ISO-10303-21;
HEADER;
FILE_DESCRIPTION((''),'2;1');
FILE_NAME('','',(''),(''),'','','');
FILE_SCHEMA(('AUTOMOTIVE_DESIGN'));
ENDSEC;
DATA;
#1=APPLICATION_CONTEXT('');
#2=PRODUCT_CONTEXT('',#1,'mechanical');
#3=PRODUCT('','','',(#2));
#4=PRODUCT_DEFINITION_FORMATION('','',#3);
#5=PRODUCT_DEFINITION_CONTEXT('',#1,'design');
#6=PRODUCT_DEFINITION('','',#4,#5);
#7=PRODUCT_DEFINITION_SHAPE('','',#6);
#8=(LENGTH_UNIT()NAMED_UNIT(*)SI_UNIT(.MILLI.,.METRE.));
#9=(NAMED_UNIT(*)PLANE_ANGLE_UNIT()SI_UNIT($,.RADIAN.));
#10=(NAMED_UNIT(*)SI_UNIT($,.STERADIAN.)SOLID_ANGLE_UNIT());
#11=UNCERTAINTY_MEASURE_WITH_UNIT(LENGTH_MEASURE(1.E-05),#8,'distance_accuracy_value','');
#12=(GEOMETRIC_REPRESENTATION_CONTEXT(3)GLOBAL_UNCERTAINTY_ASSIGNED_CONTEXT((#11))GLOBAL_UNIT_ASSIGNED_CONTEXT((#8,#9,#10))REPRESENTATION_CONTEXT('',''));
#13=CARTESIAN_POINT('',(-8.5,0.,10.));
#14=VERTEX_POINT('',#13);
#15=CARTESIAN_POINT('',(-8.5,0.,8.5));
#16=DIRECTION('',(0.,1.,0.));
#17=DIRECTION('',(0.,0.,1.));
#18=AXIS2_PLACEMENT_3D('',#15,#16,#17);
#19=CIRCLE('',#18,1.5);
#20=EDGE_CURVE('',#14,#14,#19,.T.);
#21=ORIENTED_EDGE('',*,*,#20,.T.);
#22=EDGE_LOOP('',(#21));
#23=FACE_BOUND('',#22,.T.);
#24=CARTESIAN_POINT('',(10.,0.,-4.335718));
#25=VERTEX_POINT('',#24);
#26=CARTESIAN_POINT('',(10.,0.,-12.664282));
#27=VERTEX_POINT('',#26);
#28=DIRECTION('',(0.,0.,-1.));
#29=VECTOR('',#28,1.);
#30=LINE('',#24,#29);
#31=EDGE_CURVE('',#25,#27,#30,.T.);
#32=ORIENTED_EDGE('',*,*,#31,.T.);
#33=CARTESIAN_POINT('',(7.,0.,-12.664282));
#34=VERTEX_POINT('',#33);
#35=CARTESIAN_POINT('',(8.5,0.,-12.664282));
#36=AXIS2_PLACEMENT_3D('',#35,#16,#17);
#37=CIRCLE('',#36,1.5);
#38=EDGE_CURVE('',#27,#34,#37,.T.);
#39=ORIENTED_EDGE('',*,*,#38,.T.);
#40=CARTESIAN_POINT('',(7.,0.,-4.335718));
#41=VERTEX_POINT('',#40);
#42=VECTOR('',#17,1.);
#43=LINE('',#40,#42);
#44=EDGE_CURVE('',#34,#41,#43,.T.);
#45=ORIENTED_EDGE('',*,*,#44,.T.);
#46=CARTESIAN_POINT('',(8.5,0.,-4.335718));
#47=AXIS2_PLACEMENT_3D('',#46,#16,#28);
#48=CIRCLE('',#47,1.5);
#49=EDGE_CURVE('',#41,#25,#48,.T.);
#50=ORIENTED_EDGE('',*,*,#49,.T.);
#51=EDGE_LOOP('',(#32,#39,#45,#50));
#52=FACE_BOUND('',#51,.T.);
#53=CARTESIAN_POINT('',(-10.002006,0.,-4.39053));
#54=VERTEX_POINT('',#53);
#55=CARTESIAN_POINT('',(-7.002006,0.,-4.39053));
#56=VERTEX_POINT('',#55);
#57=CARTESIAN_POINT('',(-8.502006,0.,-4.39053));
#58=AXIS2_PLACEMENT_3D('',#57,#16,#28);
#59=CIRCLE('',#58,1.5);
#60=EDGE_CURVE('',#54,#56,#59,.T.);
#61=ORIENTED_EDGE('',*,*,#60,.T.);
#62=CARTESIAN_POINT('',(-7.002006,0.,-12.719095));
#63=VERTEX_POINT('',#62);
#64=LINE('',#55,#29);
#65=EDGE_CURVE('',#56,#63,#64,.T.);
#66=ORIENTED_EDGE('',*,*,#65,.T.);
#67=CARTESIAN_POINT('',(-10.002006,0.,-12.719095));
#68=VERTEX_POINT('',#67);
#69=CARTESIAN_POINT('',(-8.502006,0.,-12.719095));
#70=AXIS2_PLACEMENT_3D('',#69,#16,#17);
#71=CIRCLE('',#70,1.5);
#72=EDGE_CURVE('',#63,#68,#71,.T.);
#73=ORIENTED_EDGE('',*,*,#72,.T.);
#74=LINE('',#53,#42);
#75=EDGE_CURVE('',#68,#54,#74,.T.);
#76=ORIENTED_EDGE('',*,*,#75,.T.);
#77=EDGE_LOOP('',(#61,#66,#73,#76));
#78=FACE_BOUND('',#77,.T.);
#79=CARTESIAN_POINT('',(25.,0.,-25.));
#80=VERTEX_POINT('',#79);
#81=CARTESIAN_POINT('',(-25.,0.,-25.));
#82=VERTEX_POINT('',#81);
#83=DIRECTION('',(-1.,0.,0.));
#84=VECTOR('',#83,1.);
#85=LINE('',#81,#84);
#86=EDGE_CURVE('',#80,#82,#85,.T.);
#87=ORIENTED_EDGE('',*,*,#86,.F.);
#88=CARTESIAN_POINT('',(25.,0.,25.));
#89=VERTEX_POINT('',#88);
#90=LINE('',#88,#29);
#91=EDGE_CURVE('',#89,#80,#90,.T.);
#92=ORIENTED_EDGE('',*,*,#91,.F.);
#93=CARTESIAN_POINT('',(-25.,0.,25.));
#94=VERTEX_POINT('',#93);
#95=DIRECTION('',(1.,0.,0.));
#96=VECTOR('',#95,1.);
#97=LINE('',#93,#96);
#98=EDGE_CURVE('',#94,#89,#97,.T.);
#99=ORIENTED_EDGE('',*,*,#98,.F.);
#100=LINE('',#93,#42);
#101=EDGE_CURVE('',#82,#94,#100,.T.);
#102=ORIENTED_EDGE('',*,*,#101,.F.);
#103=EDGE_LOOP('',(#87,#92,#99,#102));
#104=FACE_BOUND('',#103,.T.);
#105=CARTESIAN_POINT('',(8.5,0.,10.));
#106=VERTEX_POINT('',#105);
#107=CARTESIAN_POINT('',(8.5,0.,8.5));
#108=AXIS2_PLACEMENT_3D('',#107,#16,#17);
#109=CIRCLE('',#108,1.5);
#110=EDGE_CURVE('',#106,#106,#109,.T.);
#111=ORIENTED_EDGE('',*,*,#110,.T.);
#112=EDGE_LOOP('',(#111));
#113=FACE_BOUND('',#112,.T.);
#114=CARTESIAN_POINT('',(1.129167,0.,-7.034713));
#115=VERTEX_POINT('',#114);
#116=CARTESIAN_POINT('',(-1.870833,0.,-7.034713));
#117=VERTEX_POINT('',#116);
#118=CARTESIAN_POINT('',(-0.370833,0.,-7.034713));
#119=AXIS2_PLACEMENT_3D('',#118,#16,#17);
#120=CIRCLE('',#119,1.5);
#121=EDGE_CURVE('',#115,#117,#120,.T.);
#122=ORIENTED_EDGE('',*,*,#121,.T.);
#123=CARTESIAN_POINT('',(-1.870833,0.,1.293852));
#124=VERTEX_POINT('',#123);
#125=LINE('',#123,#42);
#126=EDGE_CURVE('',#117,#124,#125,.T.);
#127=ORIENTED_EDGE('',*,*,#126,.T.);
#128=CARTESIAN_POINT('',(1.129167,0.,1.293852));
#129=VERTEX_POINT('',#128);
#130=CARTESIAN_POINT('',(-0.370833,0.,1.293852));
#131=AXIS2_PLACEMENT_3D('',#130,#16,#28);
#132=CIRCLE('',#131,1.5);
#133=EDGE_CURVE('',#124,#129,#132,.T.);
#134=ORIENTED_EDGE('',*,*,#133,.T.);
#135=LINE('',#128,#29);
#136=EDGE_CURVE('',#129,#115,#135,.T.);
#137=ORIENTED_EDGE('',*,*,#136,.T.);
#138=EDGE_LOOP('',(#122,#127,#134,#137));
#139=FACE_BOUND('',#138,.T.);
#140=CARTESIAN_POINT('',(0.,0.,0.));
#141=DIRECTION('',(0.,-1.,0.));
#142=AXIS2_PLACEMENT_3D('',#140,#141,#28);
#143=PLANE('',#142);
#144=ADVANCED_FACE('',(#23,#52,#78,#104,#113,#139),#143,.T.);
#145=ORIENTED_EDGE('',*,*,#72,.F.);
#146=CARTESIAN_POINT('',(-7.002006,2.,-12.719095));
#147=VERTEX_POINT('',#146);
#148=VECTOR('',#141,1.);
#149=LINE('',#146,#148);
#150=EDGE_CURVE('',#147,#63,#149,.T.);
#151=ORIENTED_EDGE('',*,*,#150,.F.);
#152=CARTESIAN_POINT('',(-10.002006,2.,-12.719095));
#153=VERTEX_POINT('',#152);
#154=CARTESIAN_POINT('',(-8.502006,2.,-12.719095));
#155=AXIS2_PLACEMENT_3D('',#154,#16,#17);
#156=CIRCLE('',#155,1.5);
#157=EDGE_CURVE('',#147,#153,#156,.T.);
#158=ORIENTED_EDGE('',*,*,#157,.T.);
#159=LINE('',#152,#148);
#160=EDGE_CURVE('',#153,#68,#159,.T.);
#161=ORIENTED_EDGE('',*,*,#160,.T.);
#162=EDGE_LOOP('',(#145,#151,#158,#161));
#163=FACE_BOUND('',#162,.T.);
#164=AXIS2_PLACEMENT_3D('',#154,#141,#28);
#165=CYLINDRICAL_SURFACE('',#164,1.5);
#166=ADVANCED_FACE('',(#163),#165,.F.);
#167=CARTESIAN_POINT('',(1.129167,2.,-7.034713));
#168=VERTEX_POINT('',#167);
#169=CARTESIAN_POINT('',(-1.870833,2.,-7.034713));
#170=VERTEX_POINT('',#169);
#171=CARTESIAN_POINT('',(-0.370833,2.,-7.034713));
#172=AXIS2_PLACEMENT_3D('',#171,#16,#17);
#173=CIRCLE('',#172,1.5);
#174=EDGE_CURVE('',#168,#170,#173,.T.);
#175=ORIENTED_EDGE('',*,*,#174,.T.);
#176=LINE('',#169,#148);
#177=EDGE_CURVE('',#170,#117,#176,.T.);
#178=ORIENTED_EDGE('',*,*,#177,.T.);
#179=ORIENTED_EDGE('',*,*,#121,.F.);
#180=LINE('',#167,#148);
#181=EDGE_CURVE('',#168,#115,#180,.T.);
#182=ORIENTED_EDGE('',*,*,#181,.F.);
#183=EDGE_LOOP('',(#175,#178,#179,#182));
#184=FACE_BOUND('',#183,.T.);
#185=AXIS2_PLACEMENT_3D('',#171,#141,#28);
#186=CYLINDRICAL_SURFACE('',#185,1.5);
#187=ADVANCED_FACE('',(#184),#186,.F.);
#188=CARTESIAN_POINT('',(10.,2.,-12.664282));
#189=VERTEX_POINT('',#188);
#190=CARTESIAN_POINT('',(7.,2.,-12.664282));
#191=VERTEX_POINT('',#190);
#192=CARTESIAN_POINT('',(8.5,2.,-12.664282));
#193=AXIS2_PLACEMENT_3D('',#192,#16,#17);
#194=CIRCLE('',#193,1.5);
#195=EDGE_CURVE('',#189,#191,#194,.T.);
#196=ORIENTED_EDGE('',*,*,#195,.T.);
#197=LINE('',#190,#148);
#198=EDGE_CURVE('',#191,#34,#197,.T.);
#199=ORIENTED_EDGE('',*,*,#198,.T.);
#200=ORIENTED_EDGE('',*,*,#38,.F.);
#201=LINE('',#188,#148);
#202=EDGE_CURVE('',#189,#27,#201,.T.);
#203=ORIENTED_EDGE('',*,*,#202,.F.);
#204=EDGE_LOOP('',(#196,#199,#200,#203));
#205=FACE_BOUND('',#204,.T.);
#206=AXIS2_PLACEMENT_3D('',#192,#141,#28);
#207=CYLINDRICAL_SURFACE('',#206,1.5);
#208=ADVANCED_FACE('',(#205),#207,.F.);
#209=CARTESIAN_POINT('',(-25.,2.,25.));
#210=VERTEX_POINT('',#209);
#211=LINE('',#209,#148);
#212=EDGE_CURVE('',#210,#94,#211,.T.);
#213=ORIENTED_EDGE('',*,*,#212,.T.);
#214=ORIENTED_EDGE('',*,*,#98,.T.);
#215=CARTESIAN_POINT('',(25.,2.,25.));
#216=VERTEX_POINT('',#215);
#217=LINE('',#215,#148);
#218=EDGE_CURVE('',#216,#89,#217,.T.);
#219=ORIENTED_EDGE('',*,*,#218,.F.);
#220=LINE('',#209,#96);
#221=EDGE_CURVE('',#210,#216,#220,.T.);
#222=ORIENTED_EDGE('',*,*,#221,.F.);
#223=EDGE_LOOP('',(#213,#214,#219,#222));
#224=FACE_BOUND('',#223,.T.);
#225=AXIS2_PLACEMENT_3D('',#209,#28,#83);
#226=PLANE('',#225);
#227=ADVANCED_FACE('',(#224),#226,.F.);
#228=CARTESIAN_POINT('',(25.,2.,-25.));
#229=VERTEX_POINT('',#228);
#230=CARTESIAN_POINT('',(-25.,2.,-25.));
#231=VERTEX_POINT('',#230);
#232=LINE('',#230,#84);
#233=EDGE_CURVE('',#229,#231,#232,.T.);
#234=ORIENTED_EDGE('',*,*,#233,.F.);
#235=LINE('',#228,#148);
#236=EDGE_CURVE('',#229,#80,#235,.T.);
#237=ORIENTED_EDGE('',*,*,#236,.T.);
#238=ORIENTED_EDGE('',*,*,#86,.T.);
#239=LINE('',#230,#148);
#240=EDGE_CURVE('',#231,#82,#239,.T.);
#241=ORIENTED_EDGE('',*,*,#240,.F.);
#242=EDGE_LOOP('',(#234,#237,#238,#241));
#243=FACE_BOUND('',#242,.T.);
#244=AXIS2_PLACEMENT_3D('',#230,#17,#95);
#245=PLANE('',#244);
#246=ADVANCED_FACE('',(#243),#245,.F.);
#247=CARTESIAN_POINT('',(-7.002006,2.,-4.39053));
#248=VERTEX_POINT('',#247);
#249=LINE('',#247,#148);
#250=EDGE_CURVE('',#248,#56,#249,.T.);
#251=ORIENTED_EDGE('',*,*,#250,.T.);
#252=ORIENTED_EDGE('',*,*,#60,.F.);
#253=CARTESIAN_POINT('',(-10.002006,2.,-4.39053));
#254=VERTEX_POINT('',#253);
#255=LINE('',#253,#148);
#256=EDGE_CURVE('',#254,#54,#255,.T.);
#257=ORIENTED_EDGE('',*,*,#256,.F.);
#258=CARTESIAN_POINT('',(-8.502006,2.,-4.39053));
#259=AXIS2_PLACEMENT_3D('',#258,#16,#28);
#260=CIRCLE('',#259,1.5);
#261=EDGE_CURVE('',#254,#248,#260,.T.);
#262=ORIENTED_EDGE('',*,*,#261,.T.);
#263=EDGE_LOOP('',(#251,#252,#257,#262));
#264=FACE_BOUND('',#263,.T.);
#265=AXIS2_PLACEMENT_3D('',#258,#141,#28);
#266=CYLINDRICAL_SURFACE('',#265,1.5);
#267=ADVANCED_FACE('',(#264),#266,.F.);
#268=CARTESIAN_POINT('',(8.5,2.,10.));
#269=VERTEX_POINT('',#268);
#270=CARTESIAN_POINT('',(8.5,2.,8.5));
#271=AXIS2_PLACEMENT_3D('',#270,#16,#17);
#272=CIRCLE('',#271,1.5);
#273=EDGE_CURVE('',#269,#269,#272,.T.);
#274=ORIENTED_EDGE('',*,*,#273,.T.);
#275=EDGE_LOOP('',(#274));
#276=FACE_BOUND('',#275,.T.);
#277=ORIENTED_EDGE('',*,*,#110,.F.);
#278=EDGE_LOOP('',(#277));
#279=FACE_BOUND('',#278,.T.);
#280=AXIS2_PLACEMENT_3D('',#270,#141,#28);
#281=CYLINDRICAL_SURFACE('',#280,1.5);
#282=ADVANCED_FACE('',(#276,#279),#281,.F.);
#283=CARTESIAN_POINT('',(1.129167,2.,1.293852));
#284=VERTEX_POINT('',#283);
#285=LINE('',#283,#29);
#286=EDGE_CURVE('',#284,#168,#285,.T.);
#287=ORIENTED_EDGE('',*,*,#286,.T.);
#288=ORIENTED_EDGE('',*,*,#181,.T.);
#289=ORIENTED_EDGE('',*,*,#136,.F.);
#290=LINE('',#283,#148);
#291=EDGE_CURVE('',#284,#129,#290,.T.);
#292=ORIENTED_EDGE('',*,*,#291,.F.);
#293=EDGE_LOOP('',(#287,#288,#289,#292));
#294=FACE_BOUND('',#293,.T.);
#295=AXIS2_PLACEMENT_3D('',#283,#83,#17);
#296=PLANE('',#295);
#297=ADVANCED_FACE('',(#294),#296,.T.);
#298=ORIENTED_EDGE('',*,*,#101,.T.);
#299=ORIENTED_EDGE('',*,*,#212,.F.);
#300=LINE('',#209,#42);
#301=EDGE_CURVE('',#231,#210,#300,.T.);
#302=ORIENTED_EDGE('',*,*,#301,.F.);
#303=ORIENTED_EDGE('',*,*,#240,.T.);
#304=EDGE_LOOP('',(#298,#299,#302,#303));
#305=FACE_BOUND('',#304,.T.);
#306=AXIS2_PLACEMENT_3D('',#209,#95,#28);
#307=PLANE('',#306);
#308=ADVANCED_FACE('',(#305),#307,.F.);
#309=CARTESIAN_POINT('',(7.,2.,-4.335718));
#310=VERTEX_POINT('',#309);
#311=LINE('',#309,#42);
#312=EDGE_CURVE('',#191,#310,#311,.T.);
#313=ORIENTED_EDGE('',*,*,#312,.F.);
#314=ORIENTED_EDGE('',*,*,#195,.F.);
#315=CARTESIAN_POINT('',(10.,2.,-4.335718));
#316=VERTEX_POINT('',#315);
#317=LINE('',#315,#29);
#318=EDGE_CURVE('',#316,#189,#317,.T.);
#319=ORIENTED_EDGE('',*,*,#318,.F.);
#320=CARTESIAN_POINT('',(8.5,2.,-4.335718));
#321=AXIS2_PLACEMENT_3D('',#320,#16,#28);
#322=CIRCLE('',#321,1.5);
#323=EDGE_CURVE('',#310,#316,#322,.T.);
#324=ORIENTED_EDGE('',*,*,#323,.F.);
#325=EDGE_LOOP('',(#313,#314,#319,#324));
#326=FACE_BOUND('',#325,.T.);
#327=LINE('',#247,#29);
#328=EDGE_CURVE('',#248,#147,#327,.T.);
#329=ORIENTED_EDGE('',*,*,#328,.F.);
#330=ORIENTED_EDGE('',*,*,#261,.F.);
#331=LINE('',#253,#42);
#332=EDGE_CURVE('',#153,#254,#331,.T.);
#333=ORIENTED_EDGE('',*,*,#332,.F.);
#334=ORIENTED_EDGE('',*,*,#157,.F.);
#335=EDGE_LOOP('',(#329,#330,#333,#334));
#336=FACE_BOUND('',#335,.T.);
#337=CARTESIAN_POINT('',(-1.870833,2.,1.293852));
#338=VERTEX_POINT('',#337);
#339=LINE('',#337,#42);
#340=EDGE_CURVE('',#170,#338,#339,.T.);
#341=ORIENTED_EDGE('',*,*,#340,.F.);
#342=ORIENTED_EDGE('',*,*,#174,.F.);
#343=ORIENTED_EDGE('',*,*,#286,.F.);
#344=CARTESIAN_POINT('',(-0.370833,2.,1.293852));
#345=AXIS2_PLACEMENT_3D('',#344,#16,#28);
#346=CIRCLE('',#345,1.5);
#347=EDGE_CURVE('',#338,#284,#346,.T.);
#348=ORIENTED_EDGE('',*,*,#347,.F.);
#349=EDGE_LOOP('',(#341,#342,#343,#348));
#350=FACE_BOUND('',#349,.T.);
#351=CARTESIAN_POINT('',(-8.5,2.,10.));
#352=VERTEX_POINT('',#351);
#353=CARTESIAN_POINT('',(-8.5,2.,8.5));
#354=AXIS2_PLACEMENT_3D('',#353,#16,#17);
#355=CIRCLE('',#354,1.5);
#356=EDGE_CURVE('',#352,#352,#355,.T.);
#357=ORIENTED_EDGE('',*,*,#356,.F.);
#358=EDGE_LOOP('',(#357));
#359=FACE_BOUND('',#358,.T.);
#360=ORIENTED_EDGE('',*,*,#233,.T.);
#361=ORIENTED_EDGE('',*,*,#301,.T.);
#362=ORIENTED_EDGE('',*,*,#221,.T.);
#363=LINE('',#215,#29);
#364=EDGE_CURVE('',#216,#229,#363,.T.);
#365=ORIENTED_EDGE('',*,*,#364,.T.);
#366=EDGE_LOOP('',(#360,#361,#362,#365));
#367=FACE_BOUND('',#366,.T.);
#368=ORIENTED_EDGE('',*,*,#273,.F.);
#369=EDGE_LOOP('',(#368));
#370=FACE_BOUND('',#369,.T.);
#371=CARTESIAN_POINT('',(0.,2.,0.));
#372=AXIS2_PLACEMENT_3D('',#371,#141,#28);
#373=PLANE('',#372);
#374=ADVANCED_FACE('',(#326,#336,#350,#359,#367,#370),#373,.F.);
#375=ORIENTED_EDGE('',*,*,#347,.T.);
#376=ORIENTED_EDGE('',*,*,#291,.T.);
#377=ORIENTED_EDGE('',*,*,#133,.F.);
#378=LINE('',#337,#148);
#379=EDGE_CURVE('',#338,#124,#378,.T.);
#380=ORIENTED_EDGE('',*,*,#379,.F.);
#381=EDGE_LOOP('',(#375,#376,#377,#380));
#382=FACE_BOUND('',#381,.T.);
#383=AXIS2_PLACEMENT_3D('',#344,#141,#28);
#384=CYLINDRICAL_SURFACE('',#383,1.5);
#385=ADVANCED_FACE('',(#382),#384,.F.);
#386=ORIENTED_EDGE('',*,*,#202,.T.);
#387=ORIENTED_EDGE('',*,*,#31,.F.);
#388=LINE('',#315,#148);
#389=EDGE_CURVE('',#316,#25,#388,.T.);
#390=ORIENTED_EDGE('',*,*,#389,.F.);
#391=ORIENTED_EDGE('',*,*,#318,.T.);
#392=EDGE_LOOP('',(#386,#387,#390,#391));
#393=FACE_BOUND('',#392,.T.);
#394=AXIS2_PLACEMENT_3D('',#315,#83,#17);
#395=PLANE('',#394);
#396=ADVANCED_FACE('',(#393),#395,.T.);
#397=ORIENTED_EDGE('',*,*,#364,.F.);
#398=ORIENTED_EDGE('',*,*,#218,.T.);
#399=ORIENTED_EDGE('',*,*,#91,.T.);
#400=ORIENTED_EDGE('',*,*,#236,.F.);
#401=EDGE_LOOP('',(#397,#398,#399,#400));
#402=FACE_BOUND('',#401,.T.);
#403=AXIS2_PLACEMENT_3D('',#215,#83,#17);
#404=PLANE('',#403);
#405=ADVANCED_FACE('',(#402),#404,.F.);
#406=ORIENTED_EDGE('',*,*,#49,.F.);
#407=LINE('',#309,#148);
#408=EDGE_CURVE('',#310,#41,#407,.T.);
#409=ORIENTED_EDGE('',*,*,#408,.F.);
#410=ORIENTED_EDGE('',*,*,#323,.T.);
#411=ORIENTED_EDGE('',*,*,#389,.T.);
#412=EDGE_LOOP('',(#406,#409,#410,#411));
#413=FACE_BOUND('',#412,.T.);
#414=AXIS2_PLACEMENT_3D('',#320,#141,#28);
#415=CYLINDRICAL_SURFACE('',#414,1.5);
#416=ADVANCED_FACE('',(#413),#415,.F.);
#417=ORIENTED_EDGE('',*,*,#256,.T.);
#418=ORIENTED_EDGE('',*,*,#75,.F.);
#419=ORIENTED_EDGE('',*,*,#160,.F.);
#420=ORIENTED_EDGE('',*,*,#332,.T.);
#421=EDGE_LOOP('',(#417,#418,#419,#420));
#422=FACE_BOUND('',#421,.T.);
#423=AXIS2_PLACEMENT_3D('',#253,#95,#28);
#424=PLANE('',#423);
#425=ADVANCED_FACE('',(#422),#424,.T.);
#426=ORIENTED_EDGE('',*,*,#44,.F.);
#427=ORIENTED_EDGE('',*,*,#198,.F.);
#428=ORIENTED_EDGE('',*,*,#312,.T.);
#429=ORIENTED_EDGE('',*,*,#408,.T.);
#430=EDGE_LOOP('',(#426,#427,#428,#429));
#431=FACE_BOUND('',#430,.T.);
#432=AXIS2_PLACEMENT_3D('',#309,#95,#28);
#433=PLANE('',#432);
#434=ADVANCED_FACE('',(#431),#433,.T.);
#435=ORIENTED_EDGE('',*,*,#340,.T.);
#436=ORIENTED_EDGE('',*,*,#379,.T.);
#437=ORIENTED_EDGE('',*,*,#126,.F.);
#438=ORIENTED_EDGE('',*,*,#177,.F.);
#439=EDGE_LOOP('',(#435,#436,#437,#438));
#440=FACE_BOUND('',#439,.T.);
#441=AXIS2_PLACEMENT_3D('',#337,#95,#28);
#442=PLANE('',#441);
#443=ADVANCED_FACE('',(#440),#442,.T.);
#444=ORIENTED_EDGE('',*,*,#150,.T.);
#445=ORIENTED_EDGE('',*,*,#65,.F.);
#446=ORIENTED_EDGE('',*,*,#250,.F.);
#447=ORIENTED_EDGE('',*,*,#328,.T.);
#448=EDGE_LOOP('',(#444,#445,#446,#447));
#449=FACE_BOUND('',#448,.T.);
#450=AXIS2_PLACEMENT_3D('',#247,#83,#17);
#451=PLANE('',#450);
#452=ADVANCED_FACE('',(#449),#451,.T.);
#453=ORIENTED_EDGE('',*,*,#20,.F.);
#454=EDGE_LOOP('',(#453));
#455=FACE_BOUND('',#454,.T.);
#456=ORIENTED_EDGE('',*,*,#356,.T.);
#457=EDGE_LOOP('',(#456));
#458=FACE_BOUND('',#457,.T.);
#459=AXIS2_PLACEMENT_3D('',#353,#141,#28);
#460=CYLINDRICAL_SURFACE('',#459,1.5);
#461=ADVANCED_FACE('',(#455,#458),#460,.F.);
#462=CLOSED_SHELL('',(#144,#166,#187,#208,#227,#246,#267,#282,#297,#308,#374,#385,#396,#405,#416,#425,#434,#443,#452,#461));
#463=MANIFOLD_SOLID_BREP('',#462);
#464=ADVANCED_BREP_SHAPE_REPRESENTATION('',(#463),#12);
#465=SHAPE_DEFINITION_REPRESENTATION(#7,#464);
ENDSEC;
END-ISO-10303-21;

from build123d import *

# Parameters (mm, degrees)
SKETCH1_W           = 50
SKETCH1_H           = 50
SKETCH1_R           = 1.5
BOSS_EXTRUDE1_DEPTH = 2


with BuildPart() as part:
    # Sketch1 → Boss-Extrude1 (new body)
    with BuildSketch(Plane(origin=(0, 0, 0), x_dir=(1, 0, 0), z_dir=(0, 1, 0))):
        Rectangle(SKETCH1_W, SKETCH1_H)
        with Locations(Location((8.5, -8.5, 0), (0, 0, 270))):
            Circle(SKETCH1_R, mode=Mode.SUBTRACT)
        with Locations(Location((-8.5, -8.5, 0), (0, 0, 270))):
            Circle(SKETCH1_R, mode=Mode.SUBTRACT)
        with BuildLine():
            Line((-10.002005601, 4.390529846), (-10.002005601, 12.719094592))
            ThreePointArc((-10.002005601, 12.719094592), (-8.502005601, 14.219094592), (-7.002005601, 12.719094592))
            Line((-7.002005601, 12.719094592), (-7.002005601, 4.390529846))
            ThreePointArc((-7.002005601, 4.390529846), (-8.502005601, 2.890529846), (-10.002005601, 4.390529846))
        make_face(mode=Mode.SUBTRACT)
        with BuildLine():
            Line((7, 4.335717627), (7, 12.664282373))
            ThreePointArc((7, 12.664282373), (8.5, 14.164282373), (10, 12.664282373))
            Line((10, 12.664282373), (10, 4.335717627))
            ThreePointArc((10, 4.335717627), (8.5, 2.835717627), (7, 4.335717627))
        make_face(mode=Mode.SUBTRACT)
        with BuildLine():
            Line((-1.870832872, -1.293852114), (-1.870832872, 7.034712631))
            ThreePointArc((-1.870832872, 7.034712631), (-0.370832872, 8.534712631), (1.129167128, 7.034712631))
            Line((1.129167128, 7.034712631), (1.129167128, -1.293852114))
            ThreePointArc((1.129167128, -1.293852114), (-0.370832872, -2.793852114), (-1.870832872, -1.293852114))
        make_face(mode=Mode.SUBTRACT)
    extrude(amount=BOSS_EXTRUDE1_DEPTH)


solid = part.part
